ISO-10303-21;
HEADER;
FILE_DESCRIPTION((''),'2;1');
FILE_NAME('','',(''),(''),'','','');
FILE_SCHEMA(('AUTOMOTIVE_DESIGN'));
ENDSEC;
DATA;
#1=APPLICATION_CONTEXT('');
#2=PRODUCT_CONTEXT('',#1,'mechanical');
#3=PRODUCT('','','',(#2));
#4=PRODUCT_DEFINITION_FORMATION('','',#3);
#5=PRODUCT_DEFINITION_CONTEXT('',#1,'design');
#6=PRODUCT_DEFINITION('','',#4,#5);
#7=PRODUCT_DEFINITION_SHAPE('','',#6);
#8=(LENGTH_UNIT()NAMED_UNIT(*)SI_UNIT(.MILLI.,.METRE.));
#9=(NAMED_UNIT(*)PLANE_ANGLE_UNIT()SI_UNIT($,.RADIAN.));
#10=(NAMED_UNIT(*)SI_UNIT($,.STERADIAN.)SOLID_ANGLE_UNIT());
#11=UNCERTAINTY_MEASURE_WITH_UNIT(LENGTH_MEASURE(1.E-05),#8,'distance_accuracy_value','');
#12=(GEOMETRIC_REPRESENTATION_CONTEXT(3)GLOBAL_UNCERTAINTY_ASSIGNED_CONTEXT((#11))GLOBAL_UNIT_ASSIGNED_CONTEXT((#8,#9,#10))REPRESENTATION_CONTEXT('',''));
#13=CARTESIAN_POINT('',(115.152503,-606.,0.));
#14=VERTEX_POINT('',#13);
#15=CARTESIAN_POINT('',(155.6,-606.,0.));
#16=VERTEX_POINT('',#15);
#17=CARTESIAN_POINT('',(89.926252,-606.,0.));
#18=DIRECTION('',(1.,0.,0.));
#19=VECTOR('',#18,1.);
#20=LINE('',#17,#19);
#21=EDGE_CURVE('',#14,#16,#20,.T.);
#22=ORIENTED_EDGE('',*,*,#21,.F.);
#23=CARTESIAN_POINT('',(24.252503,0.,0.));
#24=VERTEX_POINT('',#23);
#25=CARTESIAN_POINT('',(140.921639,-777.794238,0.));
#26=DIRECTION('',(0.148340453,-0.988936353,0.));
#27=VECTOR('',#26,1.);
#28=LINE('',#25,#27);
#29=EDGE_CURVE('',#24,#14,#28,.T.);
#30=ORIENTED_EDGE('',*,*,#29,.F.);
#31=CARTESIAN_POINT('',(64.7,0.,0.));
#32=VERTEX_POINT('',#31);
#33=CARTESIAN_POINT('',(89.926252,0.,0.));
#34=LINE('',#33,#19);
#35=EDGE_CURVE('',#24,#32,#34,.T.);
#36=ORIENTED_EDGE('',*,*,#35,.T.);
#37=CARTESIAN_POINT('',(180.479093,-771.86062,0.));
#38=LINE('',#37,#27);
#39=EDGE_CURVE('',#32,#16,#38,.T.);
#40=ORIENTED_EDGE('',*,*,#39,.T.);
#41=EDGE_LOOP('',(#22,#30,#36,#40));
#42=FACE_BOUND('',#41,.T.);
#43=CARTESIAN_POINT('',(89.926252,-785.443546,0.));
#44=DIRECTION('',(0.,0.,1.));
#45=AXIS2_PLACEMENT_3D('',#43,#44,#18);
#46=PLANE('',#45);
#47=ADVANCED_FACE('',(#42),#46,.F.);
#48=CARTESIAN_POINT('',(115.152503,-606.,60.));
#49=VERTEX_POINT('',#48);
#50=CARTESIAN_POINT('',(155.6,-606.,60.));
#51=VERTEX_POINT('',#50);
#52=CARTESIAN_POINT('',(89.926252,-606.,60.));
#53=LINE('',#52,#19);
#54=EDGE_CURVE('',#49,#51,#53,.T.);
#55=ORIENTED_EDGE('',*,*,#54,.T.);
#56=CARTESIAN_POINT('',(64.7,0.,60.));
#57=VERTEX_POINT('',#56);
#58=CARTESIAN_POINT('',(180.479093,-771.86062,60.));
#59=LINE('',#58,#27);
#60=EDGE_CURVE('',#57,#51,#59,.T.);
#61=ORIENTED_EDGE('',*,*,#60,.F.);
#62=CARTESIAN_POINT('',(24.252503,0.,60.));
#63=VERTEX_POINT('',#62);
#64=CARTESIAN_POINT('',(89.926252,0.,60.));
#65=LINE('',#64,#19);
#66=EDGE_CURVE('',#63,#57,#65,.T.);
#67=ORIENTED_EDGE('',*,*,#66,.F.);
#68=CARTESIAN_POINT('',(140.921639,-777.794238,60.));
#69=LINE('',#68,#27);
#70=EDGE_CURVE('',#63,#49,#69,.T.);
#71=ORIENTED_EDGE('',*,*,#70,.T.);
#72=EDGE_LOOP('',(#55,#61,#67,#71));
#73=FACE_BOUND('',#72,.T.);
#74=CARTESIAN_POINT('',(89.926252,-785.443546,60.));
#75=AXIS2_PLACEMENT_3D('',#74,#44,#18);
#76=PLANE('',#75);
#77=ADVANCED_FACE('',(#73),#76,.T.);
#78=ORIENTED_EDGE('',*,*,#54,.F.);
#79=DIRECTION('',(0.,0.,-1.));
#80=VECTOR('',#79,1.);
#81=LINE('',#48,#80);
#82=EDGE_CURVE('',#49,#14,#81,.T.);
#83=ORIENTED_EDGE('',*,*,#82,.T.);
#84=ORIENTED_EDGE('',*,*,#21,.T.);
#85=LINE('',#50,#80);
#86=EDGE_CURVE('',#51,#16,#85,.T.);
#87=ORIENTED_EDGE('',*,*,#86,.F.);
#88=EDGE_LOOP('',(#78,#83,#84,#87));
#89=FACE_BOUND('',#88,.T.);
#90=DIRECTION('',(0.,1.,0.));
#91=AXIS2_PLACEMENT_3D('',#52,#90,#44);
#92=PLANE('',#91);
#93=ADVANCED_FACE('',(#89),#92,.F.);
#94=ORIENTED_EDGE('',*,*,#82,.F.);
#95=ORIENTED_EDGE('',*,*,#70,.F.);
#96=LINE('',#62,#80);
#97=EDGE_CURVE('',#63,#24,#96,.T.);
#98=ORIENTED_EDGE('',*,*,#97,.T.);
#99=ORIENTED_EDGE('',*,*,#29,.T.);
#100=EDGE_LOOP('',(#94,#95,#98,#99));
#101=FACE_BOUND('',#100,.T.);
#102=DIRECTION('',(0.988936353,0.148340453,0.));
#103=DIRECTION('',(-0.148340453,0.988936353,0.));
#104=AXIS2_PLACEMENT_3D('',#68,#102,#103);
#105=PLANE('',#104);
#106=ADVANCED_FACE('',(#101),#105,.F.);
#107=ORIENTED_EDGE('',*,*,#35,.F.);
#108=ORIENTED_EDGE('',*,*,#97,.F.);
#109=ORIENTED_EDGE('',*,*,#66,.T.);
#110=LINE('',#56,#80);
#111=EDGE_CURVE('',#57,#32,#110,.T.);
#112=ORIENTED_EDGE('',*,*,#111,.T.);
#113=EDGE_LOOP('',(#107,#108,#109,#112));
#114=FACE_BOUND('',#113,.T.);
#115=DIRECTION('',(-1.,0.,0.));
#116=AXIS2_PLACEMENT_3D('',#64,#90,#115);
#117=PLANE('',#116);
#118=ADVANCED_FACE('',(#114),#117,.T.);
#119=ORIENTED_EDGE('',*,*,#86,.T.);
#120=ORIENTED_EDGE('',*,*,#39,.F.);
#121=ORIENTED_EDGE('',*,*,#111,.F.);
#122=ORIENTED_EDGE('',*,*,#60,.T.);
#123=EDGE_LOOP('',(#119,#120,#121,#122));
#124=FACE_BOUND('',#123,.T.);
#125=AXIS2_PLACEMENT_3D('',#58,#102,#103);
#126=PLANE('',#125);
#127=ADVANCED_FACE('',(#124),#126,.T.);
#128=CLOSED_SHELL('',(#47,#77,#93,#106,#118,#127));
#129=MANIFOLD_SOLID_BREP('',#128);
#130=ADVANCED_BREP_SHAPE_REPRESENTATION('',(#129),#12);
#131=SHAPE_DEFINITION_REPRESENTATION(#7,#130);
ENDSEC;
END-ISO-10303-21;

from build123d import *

# Parameters (mm, degrees)
EXTRUDE_4_DEPTH = 60


with BuildPart() as part:
    # 草圖1 → 填料-伸長4 (new body)
    with BuildSketch(Plane.XY):
        Polygon((42.432503168, 0), (24.252503168, 0), (30.252503168, -40), (115.152503168, -606), (155.6, -606), (64.7, 0), (44.476251584, 0), align=None)
    extrude(amount=EXTRUDE_4_DEPTH)


solid = part.part
